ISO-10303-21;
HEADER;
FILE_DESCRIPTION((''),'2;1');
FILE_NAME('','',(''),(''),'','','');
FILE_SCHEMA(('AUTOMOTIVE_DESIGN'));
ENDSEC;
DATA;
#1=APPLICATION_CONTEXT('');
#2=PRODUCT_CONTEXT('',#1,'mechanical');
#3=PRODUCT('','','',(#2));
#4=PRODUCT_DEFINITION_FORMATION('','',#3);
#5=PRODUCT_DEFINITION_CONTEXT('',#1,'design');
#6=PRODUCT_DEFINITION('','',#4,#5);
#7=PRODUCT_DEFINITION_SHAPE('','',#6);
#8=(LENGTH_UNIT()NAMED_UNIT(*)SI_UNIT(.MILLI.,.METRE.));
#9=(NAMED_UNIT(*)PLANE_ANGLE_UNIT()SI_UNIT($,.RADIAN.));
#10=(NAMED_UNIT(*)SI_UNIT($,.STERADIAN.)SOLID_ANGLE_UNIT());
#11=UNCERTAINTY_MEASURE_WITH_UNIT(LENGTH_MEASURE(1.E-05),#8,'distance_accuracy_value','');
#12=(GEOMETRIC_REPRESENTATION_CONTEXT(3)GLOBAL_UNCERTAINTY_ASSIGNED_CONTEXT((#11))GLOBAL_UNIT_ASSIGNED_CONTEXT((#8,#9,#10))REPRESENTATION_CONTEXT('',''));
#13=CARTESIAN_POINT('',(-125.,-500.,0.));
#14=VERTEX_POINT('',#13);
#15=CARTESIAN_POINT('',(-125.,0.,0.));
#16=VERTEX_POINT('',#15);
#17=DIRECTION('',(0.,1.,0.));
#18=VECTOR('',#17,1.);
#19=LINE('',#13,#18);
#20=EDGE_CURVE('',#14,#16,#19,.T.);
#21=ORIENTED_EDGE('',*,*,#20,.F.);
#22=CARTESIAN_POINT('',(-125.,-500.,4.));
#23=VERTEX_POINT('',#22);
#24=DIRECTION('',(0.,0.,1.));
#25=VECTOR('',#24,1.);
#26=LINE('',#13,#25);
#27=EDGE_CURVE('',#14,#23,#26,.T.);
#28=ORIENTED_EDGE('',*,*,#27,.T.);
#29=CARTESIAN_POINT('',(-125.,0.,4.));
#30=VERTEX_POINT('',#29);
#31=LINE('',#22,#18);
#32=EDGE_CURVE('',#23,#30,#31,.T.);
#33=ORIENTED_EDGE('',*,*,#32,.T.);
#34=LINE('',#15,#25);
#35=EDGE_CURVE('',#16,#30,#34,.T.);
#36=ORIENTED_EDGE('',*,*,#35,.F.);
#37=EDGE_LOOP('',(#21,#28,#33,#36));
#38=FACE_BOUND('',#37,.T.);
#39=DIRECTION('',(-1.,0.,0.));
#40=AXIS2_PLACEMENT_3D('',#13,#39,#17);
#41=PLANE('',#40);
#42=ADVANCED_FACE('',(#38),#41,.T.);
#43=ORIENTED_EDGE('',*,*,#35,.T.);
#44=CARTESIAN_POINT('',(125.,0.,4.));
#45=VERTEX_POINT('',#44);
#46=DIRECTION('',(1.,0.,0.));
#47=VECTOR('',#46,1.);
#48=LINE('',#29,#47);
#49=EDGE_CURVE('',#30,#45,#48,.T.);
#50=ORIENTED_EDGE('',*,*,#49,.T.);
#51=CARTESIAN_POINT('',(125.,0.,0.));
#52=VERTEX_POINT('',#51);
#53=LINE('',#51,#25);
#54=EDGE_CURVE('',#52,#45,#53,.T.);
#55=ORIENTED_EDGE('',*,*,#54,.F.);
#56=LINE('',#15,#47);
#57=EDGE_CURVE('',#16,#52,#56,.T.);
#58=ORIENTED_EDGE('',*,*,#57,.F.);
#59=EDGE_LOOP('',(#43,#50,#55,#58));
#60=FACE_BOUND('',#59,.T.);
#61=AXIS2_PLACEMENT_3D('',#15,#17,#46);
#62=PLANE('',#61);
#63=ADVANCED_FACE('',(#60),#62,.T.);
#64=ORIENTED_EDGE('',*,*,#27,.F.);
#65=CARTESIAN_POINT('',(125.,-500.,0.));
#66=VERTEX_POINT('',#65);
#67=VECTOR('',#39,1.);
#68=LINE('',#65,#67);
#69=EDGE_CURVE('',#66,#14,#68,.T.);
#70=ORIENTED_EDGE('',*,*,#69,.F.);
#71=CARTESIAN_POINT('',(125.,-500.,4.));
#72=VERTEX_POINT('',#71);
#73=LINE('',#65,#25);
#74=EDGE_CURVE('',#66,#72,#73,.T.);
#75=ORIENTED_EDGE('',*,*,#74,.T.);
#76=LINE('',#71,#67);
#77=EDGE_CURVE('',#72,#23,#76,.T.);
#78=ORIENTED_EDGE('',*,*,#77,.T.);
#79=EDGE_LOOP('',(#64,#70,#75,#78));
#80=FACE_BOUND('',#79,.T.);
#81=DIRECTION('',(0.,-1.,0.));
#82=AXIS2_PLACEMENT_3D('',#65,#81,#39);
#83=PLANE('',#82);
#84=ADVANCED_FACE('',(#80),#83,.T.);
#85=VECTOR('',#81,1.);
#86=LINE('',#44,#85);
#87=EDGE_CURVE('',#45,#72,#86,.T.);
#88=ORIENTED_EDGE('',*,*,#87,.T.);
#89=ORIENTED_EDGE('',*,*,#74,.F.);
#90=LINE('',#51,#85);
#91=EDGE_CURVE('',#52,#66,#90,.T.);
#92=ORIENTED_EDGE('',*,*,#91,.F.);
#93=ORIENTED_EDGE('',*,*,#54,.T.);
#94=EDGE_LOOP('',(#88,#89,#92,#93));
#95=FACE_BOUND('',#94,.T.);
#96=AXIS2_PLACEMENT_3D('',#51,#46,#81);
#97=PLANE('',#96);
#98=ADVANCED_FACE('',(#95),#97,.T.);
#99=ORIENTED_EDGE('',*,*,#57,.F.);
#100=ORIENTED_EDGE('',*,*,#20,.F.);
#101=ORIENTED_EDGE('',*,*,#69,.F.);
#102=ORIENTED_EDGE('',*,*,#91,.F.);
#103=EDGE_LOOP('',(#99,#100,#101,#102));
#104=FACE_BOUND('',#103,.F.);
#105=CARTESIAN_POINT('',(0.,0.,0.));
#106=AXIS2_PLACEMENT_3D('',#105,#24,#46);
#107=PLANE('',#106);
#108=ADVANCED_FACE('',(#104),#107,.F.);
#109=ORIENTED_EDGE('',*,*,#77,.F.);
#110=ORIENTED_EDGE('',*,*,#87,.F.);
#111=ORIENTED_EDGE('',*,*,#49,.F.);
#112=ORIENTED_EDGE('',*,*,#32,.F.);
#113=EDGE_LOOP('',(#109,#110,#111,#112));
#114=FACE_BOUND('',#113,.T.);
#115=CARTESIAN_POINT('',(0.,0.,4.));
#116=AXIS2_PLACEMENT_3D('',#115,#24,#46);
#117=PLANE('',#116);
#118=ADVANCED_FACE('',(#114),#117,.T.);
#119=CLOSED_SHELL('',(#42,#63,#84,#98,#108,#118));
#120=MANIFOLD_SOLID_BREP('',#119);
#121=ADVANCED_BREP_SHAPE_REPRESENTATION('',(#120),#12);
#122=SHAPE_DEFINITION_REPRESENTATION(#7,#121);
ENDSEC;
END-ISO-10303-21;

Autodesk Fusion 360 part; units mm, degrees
sketch "Schizzo1" plane through (0, 0, 0) normal (0, 0, 1) x (1, 0, 0)
  line L0 (-125, 0) -> (125, 0)
  line L1 (125, 0) -> (125, -500)
  line L2 (125, -500) -> (-125, -500)
  line L3 (-125, -500) -> (-125, 0)
  line L4 (0, 0) -> (0, -500) construction
  dimension "d1" = 250
  dimension "d2" = 500
extrude "Estrusione1" add sketch "Schizzo1" along normal blind 4
